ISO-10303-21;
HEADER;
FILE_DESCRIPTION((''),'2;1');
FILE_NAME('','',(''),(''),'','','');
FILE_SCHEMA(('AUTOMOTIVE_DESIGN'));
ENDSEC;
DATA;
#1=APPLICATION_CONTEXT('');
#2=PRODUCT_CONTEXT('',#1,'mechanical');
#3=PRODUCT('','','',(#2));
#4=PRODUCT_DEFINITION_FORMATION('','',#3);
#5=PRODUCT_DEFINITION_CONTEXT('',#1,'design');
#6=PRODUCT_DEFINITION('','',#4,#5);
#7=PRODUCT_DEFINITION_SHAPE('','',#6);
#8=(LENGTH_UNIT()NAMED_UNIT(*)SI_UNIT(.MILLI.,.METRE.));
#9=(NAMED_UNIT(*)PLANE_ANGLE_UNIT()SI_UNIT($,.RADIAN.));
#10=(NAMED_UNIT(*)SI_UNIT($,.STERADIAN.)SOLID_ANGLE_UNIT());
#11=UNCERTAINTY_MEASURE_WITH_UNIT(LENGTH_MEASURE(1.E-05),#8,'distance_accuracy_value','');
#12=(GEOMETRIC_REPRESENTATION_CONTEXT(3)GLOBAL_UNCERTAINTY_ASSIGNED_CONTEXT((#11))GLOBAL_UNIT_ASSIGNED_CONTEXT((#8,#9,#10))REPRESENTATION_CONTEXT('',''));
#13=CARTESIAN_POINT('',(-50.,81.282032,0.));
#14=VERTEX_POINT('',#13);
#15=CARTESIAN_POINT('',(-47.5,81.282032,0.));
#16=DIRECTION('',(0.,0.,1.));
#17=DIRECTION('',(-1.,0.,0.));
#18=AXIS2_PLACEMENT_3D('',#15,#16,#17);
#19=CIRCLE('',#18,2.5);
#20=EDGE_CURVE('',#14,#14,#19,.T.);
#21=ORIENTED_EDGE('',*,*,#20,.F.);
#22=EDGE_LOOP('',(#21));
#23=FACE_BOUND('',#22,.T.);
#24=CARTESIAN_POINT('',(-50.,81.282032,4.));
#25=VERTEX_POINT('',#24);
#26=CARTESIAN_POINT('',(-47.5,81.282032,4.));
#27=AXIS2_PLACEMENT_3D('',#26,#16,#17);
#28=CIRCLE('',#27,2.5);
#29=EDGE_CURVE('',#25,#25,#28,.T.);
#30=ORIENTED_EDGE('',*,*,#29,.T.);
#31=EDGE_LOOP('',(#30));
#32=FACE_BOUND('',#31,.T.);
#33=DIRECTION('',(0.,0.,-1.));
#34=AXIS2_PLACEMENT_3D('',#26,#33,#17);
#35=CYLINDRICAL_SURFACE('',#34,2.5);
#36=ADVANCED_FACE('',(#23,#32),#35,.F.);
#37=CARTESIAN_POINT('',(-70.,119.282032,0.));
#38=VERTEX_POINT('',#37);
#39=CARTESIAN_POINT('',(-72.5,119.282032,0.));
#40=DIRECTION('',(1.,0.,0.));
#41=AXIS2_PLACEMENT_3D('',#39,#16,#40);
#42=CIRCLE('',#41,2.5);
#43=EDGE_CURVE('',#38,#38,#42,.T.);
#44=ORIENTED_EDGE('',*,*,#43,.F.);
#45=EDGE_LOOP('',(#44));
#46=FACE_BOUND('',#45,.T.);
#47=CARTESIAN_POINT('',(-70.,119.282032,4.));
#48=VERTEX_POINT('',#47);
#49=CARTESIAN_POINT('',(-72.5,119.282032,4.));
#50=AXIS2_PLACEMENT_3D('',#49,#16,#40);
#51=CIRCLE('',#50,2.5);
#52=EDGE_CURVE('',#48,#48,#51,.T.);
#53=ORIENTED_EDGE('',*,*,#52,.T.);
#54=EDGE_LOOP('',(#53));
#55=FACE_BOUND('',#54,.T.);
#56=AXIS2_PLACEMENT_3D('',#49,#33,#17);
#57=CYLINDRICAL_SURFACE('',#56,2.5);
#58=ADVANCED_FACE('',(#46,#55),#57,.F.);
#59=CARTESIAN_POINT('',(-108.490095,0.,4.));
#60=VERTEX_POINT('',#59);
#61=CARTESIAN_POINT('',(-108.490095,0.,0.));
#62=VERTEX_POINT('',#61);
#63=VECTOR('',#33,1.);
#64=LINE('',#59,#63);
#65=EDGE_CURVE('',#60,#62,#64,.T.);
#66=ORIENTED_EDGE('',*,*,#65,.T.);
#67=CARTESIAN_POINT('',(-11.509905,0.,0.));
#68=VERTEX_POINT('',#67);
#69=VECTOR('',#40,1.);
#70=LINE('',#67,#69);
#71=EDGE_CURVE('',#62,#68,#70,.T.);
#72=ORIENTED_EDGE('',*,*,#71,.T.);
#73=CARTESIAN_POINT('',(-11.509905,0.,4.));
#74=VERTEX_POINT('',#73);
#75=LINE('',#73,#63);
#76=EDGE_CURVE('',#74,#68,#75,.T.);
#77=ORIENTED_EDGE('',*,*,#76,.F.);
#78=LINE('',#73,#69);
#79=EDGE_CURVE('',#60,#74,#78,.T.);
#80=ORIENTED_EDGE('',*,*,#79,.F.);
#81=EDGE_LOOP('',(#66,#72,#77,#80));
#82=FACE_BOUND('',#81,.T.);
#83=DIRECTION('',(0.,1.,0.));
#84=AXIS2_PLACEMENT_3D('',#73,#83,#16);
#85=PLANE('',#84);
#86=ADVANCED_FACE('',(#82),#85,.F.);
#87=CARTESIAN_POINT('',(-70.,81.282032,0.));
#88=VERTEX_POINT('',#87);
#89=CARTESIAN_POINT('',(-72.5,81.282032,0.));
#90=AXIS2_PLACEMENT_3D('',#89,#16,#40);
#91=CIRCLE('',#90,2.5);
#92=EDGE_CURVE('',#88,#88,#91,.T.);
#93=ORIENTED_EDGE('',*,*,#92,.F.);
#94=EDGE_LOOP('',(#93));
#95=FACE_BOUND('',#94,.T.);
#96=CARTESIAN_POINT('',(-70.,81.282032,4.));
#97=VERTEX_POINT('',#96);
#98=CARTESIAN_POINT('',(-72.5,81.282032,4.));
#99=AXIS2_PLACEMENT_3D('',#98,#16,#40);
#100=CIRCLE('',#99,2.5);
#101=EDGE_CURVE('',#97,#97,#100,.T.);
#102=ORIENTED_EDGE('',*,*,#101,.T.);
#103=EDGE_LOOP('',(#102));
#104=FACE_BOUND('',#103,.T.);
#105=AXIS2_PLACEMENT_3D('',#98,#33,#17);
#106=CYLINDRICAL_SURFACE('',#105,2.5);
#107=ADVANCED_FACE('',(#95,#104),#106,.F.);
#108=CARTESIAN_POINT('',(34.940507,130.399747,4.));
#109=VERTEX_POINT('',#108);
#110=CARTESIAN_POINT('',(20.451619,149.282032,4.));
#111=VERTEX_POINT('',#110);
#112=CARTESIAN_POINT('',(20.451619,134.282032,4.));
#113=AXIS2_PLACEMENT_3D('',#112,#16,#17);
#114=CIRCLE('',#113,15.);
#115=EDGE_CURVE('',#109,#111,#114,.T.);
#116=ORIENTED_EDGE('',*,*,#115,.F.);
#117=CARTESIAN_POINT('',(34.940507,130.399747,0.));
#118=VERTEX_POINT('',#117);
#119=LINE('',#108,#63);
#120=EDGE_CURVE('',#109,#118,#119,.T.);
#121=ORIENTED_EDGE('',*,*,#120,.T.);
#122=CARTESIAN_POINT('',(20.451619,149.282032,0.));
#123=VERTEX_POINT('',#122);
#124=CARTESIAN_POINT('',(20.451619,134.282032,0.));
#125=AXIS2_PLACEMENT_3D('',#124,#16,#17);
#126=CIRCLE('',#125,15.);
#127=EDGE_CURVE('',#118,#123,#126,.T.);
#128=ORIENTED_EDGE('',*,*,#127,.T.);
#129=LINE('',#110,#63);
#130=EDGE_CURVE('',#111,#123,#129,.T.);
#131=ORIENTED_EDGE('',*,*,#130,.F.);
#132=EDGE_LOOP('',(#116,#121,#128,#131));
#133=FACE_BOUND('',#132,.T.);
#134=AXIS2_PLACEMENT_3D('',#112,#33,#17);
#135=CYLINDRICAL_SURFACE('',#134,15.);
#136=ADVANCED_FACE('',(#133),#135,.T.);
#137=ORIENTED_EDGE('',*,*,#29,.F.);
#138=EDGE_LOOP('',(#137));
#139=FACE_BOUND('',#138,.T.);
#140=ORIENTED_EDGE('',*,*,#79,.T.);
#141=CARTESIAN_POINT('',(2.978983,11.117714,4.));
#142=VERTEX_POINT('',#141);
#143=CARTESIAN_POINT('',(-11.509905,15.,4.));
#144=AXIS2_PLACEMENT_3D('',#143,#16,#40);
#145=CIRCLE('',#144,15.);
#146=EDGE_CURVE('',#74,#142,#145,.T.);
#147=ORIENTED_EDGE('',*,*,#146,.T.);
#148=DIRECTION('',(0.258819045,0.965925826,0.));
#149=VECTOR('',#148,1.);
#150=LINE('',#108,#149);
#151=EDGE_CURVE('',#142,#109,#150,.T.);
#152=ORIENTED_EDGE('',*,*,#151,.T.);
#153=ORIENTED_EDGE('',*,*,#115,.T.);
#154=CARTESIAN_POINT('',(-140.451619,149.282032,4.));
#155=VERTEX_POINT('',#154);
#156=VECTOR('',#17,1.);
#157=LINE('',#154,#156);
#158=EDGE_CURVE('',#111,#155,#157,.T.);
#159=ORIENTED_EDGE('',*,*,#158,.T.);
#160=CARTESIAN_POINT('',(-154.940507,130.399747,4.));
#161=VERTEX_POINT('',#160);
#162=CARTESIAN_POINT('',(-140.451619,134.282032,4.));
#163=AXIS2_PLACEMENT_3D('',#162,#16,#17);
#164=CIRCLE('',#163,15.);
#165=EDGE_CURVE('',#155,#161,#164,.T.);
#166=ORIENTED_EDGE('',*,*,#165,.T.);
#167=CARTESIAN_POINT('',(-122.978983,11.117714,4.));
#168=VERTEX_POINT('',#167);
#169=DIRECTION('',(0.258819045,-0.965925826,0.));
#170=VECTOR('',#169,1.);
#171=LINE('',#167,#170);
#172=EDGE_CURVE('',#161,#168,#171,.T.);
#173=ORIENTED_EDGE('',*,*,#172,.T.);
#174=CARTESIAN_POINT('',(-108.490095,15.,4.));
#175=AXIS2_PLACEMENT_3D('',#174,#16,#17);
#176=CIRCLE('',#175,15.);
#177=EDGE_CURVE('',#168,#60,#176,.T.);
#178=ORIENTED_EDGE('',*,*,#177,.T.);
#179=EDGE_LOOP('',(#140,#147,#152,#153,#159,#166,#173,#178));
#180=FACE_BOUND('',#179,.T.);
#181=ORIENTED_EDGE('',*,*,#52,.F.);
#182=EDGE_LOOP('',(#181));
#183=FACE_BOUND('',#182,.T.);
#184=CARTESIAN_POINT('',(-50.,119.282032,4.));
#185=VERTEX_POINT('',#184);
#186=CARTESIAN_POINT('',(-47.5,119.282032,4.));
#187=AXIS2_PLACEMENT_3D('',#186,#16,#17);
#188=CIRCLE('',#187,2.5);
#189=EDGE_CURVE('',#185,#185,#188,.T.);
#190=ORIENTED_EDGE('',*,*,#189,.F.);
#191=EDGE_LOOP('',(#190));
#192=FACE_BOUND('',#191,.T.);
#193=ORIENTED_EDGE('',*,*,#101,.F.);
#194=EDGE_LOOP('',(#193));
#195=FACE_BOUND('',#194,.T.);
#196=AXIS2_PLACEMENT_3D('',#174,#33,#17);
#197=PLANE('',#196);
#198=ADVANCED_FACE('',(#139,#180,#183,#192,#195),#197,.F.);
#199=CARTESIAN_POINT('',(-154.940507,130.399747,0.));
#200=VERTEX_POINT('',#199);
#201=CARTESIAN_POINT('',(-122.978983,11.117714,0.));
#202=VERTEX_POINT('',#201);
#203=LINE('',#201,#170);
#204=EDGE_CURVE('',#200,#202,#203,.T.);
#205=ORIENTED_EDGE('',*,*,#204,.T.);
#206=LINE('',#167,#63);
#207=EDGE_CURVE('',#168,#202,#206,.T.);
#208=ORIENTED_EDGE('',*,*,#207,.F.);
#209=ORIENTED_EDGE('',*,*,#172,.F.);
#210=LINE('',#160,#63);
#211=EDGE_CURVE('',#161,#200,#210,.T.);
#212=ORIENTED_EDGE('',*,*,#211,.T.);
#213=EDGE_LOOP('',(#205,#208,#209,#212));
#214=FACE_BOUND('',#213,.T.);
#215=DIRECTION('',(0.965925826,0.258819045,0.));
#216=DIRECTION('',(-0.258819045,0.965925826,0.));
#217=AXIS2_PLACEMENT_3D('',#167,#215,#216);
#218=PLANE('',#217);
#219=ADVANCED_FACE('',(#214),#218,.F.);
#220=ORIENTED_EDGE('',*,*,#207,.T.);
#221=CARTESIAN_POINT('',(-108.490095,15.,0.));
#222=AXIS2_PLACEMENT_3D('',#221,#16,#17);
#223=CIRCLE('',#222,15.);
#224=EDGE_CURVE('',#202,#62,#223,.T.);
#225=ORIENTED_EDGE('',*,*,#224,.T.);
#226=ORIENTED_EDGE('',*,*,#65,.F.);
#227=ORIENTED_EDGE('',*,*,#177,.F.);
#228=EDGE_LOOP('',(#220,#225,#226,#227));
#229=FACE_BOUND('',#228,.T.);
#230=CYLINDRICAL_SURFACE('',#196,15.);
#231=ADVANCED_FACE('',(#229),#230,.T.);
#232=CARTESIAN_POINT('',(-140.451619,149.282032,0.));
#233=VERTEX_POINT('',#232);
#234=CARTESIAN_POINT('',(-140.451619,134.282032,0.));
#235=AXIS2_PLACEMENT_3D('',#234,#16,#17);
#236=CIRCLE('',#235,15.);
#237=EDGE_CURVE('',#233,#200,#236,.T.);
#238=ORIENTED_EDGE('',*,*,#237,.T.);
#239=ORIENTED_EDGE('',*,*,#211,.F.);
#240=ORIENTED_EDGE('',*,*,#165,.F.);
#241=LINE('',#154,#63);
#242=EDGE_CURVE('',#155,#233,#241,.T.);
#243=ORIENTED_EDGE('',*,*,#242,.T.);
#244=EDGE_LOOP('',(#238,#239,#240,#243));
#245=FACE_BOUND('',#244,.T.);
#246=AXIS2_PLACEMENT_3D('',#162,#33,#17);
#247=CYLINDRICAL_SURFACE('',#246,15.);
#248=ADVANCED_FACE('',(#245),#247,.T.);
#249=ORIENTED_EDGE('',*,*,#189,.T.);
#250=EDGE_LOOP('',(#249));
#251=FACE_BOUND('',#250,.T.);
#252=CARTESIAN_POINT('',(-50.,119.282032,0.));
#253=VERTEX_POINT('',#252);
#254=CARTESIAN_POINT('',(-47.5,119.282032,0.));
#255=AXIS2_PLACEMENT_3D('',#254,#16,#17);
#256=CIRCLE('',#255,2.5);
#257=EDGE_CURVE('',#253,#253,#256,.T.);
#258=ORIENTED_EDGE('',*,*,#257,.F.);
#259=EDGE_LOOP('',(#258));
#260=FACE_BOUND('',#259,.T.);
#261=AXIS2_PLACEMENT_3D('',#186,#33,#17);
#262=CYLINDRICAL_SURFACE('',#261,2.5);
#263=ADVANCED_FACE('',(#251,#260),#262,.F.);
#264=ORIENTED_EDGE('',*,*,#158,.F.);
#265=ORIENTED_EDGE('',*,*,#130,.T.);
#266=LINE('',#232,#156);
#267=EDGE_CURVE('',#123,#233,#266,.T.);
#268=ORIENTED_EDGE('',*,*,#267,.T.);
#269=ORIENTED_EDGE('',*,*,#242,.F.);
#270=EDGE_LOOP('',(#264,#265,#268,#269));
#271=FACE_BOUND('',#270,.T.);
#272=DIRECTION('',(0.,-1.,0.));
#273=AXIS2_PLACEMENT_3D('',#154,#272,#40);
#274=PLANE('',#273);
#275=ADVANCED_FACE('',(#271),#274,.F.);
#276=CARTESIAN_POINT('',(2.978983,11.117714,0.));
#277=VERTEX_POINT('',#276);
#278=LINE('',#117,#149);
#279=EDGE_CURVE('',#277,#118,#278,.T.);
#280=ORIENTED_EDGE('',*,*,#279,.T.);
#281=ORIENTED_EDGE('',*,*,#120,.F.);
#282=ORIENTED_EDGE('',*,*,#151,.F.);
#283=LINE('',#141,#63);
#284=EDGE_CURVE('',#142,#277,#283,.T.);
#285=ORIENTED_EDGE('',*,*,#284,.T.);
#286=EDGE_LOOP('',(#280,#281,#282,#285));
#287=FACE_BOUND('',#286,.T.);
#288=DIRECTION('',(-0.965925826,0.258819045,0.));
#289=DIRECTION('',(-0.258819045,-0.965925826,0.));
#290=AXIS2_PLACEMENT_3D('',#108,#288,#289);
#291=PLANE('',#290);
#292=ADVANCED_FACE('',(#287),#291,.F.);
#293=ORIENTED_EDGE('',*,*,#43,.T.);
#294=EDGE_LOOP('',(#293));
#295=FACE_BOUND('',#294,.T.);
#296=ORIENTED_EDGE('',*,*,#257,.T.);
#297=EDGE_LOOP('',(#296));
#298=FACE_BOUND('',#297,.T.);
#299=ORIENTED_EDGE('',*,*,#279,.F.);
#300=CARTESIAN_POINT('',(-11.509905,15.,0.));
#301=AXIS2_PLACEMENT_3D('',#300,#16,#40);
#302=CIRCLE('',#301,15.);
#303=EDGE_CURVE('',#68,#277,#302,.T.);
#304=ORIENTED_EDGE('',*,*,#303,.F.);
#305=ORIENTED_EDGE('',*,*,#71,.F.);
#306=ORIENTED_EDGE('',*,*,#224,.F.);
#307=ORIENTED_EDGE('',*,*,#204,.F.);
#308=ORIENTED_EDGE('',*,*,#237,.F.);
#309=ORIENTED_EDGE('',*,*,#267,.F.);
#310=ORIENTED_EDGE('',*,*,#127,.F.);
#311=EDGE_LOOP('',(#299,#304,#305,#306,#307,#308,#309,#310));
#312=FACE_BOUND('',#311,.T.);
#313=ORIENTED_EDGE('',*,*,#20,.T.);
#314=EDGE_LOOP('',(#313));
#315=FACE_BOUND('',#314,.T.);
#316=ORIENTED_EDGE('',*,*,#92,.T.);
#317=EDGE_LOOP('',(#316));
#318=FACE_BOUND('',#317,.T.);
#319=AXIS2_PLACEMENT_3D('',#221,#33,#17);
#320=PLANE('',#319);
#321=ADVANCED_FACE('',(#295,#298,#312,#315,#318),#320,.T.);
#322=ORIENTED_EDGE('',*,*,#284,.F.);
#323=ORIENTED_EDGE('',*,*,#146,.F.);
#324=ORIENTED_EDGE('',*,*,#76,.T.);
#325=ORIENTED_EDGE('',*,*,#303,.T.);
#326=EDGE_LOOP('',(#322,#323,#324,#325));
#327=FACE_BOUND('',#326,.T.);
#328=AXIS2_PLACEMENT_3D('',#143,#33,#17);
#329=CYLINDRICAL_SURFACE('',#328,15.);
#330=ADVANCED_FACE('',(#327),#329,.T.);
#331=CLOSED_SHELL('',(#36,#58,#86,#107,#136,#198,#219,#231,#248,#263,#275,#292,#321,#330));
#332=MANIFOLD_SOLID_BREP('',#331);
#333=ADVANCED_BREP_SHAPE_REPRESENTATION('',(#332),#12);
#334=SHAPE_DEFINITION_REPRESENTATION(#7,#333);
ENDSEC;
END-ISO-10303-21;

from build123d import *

# Parameters (mm, degrees)
SKETCH_1_R      = 2.5
EXTRUDE_1_DEPTH = 4


with BuildPart() as part:
    # 草图1 → 凸台-拉伸1 (new body)
    with BuildSketch(Plane.XY):
        with BuildLine():
            Line((-11.50990482, 0), (-108.49009518, 0))
            ThreePointArc((-108.49009518, 0), (-117.621516615, 3.099699896), (-122.978982575, 11.117714323))
            Line((-122.978982575, 11.117714323), (-154.940506802, 130.399746626))
            ThreePointArc((-154.940506802, 130.399746626), (-152.351919512, 143.413453738), (-140.451619407, 149.282032303))
            Line((-140.451619407, 149.282032303), (20.451619407, 149.282032303))
            ThreePointArc((20.451619407, 149.282032303), (32.351919512, 143.413453738), (34.940506802, 130.399746626))
            Line((34.940506802, 130.399746626), (2.978982575, 11.117714323))
            ThreePointArc((2.978982575, 11.117714323), (-2.378483385, 3.099699896), (-11.50990482, 0))
        make_face()
        with Locations((-72.5, 81.282032303)):
            Circle(SKETCH_1_R, mode=Mode.SUBTRACT)
        with Locations((-72.5, 119.282032303)):
            Circle(SKETCH_1_R, mode=Mode.SUBTRACT)
        with Locations(Location((-47.5, 81.282032303, 0), (0, 0, 180))):
            Circle(SKETCH_1_R, mode=Mode.SUBTRACT)
        with Locations(Location((-47.5, 119.282032303, 0), (0, 0, 180))):
            Circle(SKETCH_1_R, mode=Mode.SUBTRACT)
    extrude(amount=EXTRUDE_1_DEPTH)


solid = part.part
